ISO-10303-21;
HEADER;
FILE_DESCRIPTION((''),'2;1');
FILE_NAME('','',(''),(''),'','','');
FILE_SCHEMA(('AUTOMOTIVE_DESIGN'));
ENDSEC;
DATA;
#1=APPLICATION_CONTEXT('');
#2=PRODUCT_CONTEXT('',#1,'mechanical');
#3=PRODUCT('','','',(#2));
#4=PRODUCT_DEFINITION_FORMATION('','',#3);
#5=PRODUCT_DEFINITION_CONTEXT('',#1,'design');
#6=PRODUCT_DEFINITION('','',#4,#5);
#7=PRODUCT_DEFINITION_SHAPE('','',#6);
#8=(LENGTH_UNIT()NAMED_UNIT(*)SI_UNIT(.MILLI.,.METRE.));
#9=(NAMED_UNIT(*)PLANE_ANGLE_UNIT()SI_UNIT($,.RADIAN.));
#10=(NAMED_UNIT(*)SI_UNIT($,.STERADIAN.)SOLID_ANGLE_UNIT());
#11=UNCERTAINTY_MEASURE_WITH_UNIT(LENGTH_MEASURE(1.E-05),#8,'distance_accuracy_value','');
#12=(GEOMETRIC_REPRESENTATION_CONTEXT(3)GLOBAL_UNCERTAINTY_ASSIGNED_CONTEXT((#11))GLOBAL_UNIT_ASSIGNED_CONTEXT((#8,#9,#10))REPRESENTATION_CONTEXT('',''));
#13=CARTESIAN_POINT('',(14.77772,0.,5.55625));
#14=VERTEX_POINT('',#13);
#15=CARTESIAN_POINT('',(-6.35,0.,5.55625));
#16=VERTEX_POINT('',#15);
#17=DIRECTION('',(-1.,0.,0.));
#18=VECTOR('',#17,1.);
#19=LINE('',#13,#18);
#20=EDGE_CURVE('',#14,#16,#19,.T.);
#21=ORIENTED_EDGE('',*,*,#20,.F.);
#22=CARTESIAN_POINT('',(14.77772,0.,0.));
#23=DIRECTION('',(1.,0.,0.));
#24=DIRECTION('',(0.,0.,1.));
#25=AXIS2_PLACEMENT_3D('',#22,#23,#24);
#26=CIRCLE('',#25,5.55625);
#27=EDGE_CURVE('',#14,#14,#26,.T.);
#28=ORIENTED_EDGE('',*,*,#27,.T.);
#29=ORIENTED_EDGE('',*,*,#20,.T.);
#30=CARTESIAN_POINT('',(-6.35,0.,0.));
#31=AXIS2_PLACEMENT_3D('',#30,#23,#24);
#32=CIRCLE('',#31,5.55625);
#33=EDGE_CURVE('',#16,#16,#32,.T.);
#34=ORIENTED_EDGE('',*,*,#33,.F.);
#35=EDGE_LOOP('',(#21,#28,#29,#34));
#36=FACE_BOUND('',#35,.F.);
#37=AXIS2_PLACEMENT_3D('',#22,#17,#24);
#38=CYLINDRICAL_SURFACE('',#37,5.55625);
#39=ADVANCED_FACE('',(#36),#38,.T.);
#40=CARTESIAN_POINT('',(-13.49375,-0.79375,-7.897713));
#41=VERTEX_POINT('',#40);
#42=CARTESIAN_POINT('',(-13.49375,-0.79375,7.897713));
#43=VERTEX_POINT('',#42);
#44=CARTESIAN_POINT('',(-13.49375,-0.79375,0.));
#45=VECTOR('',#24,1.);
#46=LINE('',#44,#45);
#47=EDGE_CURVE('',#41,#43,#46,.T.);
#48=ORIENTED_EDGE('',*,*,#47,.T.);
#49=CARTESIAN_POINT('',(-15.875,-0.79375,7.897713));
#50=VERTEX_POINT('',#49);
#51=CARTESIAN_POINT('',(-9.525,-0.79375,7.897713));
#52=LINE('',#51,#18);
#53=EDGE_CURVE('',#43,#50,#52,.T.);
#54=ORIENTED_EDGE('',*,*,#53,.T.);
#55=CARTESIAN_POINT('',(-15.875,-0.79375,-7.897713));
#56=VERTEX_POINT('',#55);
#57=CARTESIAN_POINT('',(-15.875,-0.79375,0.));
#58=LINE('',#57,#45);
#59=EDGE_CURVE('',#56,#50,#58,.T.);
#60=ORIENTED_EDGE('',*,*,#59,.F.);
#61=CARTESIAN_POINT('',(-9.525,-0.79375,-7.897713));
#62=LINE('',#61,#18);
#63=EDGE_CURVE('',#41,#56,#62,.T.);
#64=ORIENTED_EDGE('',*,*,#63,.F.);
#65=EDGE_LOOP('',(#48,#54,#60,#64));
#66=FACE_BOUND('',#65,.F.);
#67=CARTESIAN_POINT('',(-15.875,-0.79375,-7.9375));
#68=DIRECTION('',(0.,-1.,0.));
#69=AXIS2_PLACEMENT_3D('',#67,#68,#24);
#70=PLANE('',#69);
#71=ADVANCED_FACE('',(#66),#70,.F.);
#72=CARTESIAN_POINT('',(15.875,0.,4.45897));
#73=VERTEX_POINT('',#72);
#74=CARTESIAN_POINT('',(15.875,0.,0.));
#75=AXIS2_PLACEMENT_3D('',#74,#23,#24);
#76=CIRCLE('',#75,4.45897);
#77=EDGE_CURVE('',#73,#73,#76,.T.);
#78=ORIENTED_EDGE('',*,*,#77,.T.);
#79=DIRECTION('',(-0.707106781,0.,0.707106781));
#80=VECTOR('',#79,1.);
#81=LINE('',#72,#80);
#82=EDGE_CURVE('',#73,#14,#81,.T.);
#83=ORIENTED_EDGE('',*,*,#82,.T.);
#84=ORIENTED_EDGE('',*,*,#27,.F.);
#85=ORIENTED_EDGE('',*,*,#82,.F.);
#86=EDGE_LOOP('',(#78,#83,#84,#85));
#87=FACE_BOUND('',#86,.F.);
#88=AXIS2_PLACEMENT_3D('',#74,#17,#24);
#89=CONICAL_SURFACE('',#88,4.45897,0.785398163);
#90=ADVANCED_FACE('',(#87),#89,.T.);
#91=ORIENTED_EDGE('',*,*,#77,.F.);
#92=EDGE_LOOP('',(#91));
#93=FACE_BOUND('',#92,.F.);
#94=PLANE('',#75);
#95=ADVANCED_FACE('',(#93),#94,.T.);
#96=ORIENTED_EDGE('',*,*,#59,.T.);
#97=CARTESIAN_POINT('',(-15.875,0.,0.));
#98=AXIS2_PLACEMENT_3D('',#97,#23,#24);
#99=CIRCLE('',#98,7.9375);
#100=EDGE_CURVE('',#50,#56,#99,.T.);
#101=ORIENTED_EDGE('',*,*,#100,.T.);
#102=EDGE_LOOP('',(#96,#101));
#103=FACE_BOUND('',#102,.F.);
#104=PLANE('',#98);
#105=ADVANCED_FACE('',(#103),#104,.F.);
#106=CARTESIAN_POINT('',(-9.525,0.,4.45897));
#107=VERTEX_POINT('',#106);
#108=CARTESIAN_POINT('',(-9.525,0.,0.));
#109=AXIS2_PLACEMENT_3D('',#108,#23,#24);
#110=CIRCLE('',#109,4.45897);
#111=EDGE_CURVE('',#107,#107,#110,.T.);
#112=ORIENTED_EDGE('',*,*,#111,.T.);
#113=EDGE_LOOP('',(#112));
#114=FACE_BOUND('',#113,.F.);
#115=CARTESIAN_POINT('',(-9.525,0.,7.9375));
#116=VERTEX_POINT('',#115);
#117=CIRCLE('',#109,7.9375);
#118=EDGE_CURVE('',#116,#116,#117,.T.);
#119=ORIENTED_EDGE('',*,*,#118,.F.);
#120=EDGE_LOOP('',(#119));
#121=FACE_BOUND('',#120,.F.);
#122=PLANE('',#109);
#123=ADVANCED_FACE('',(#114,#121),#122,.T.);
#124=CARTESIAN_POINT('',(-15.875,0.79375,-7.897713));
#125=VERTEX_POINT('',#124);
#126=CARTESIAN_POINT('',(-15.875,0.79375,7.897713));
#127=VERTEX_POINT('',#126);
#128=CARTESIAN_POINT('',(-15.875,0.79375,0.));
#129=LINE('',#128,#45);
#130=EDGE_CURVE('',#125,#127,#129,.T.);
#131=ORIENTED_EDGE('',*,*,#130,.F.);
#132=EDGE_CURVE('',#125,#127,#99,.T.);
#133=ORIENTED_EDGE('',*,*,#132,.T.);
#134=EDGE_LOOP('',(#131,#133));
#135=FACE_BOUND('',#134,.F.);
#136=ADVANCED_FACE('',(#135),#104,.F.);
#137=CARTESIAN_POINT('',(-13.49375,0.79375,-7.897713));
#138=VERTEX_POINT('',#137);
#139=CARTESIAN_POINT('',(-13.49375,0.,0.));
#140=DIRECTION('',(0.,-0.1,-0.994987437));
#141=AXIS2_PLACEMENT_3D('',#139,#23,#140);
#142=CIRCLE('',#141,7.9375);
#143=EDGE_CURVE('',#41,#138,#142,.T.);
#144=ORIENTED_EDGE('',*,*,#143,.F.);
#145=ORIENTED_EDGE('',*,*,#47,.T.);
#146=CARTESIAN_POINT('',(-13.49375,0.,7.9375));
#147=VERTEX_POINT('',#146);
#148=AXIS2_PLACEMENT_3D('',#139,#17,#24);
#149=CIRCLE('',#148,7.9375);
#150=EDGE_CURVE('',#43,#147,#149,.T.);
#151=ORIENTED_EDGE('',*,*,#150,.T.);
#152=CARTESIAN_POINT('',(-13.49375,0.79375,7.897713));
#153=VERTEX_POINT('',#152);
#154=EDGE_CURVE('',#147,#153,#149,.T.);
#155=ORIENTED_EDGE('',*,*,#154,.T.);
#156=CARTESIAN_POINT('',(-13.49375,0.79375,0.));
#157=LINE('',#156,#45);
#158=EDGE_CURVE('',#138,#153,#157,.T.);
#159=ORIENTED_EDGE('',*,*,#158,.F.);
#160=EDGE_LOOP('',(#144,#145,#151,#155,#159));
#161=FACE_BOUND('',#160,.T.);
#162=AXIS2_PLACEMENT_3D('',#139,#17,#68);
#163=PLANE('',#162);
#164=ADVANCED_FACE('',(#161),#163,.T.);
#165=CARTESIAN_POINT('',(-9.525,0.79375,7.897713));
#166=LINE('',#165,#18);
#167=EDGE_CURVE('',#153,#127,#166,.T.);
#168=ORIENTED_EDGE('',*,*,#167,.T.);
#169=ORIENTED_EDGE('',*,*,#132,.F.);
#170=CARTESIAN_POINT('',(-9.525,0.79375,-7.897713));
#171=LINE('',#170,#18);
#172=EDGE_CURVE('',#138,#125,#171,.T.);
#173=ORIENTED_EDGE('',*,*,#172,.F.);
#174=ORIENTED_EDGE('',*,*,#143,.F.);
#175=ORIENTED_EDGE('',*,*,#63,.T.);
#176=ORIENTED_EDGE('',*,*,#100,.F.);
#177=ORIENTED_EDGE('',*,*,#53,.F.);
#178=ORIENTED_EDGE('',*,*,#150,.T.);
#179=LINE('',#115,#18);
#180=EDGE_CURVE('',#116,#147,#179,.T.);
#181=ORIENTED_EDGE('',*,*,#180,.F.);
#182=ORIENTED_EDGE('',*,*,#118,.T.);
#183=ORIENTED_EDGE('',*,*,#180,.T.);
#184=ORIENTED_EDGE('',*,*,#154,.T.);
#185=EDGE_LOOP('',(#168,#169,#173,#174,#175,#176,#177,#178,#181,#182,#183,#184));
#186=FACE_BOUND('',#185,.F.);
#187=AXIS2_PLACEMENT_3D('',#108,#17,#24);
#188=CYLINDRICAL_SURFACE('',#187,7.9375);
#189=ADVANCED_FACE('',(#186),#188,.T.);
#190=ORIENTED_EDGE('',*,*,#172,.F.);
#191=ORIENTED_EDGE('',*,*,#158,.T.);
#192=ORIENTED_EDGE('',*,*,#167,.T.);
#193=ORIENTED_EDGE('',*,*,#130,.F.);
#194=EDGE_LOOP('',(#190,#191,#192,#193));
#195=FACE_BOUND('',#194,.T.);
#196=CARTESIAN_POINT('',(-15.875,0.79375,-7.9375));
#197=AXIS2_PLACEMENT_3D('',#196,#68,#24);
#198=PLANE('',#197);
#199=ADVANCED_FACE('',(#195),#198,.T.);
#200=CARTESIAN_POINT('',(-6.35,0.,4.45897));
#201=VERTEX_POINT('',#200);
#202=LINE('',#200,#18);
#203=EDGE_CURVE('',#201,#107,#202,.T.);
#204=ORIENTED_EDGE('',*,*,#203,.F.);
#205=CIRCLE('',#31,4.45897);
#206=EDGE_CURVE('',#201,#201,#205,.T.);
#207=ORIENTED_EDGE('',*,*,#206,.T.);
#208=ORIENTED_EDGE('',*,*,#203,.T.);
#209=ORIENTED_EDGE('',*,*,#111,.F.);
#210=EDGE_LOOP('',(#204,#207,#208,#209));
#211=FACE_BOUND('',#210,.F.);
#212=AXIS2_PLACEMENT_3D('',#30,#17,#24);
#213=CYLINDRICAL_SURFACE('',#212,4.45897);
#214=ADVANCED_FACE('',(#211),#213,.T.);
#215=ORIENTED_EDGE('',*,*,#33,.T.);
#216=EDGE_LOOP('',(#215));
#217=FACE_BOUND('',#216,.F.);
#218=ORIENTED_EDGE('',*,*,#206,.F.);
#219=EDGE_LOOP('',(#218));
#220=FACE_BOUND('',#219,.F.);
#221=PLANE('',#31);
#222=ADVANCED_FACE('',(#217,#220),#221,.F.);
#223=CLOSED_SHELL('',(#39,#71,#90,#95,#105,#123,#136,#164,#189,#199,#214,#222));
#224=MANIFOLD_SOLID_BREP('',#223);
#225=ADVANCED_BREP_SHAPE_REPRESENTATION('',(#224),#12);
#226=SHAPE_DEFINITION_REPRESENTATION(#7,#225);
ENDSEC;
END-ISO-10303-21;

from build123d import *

# Parameters (mm, degrees)
F3_W     = 1.5875
F3_H     = 15.875
F2_DEPTH = 2.38125


with BuildPart() as f1:
    # F0 (on Front) → F1 (revolve)
    with BuildSketch(Plane.XZ):
        Polygon((-9.525, 7.9375), (-15.875, 7.9375), (-15.875, 0), (15.875, 0), (15.875, 4.45897), (14.77772, 5.55625), (-6.35, 5.55625), (-6.35, 4.45897), (-9.525, 4.45897), align=None)
    revolve(axis=Axis((0, 0, 0), (1, 0, 0)))

    # F3 (on face) → F2 (cut)
    with BuildSketch(Plane(origin=(-15.875, 0, 0), x_dir=(0, -1, 0), z_dir=(-1, 0, 0))):
        Rectangle(F3_W, F3_H)
    extrude(amount=-F2_DEPTH, mode=Mode.SUBTRACT)


solid = f1.part
